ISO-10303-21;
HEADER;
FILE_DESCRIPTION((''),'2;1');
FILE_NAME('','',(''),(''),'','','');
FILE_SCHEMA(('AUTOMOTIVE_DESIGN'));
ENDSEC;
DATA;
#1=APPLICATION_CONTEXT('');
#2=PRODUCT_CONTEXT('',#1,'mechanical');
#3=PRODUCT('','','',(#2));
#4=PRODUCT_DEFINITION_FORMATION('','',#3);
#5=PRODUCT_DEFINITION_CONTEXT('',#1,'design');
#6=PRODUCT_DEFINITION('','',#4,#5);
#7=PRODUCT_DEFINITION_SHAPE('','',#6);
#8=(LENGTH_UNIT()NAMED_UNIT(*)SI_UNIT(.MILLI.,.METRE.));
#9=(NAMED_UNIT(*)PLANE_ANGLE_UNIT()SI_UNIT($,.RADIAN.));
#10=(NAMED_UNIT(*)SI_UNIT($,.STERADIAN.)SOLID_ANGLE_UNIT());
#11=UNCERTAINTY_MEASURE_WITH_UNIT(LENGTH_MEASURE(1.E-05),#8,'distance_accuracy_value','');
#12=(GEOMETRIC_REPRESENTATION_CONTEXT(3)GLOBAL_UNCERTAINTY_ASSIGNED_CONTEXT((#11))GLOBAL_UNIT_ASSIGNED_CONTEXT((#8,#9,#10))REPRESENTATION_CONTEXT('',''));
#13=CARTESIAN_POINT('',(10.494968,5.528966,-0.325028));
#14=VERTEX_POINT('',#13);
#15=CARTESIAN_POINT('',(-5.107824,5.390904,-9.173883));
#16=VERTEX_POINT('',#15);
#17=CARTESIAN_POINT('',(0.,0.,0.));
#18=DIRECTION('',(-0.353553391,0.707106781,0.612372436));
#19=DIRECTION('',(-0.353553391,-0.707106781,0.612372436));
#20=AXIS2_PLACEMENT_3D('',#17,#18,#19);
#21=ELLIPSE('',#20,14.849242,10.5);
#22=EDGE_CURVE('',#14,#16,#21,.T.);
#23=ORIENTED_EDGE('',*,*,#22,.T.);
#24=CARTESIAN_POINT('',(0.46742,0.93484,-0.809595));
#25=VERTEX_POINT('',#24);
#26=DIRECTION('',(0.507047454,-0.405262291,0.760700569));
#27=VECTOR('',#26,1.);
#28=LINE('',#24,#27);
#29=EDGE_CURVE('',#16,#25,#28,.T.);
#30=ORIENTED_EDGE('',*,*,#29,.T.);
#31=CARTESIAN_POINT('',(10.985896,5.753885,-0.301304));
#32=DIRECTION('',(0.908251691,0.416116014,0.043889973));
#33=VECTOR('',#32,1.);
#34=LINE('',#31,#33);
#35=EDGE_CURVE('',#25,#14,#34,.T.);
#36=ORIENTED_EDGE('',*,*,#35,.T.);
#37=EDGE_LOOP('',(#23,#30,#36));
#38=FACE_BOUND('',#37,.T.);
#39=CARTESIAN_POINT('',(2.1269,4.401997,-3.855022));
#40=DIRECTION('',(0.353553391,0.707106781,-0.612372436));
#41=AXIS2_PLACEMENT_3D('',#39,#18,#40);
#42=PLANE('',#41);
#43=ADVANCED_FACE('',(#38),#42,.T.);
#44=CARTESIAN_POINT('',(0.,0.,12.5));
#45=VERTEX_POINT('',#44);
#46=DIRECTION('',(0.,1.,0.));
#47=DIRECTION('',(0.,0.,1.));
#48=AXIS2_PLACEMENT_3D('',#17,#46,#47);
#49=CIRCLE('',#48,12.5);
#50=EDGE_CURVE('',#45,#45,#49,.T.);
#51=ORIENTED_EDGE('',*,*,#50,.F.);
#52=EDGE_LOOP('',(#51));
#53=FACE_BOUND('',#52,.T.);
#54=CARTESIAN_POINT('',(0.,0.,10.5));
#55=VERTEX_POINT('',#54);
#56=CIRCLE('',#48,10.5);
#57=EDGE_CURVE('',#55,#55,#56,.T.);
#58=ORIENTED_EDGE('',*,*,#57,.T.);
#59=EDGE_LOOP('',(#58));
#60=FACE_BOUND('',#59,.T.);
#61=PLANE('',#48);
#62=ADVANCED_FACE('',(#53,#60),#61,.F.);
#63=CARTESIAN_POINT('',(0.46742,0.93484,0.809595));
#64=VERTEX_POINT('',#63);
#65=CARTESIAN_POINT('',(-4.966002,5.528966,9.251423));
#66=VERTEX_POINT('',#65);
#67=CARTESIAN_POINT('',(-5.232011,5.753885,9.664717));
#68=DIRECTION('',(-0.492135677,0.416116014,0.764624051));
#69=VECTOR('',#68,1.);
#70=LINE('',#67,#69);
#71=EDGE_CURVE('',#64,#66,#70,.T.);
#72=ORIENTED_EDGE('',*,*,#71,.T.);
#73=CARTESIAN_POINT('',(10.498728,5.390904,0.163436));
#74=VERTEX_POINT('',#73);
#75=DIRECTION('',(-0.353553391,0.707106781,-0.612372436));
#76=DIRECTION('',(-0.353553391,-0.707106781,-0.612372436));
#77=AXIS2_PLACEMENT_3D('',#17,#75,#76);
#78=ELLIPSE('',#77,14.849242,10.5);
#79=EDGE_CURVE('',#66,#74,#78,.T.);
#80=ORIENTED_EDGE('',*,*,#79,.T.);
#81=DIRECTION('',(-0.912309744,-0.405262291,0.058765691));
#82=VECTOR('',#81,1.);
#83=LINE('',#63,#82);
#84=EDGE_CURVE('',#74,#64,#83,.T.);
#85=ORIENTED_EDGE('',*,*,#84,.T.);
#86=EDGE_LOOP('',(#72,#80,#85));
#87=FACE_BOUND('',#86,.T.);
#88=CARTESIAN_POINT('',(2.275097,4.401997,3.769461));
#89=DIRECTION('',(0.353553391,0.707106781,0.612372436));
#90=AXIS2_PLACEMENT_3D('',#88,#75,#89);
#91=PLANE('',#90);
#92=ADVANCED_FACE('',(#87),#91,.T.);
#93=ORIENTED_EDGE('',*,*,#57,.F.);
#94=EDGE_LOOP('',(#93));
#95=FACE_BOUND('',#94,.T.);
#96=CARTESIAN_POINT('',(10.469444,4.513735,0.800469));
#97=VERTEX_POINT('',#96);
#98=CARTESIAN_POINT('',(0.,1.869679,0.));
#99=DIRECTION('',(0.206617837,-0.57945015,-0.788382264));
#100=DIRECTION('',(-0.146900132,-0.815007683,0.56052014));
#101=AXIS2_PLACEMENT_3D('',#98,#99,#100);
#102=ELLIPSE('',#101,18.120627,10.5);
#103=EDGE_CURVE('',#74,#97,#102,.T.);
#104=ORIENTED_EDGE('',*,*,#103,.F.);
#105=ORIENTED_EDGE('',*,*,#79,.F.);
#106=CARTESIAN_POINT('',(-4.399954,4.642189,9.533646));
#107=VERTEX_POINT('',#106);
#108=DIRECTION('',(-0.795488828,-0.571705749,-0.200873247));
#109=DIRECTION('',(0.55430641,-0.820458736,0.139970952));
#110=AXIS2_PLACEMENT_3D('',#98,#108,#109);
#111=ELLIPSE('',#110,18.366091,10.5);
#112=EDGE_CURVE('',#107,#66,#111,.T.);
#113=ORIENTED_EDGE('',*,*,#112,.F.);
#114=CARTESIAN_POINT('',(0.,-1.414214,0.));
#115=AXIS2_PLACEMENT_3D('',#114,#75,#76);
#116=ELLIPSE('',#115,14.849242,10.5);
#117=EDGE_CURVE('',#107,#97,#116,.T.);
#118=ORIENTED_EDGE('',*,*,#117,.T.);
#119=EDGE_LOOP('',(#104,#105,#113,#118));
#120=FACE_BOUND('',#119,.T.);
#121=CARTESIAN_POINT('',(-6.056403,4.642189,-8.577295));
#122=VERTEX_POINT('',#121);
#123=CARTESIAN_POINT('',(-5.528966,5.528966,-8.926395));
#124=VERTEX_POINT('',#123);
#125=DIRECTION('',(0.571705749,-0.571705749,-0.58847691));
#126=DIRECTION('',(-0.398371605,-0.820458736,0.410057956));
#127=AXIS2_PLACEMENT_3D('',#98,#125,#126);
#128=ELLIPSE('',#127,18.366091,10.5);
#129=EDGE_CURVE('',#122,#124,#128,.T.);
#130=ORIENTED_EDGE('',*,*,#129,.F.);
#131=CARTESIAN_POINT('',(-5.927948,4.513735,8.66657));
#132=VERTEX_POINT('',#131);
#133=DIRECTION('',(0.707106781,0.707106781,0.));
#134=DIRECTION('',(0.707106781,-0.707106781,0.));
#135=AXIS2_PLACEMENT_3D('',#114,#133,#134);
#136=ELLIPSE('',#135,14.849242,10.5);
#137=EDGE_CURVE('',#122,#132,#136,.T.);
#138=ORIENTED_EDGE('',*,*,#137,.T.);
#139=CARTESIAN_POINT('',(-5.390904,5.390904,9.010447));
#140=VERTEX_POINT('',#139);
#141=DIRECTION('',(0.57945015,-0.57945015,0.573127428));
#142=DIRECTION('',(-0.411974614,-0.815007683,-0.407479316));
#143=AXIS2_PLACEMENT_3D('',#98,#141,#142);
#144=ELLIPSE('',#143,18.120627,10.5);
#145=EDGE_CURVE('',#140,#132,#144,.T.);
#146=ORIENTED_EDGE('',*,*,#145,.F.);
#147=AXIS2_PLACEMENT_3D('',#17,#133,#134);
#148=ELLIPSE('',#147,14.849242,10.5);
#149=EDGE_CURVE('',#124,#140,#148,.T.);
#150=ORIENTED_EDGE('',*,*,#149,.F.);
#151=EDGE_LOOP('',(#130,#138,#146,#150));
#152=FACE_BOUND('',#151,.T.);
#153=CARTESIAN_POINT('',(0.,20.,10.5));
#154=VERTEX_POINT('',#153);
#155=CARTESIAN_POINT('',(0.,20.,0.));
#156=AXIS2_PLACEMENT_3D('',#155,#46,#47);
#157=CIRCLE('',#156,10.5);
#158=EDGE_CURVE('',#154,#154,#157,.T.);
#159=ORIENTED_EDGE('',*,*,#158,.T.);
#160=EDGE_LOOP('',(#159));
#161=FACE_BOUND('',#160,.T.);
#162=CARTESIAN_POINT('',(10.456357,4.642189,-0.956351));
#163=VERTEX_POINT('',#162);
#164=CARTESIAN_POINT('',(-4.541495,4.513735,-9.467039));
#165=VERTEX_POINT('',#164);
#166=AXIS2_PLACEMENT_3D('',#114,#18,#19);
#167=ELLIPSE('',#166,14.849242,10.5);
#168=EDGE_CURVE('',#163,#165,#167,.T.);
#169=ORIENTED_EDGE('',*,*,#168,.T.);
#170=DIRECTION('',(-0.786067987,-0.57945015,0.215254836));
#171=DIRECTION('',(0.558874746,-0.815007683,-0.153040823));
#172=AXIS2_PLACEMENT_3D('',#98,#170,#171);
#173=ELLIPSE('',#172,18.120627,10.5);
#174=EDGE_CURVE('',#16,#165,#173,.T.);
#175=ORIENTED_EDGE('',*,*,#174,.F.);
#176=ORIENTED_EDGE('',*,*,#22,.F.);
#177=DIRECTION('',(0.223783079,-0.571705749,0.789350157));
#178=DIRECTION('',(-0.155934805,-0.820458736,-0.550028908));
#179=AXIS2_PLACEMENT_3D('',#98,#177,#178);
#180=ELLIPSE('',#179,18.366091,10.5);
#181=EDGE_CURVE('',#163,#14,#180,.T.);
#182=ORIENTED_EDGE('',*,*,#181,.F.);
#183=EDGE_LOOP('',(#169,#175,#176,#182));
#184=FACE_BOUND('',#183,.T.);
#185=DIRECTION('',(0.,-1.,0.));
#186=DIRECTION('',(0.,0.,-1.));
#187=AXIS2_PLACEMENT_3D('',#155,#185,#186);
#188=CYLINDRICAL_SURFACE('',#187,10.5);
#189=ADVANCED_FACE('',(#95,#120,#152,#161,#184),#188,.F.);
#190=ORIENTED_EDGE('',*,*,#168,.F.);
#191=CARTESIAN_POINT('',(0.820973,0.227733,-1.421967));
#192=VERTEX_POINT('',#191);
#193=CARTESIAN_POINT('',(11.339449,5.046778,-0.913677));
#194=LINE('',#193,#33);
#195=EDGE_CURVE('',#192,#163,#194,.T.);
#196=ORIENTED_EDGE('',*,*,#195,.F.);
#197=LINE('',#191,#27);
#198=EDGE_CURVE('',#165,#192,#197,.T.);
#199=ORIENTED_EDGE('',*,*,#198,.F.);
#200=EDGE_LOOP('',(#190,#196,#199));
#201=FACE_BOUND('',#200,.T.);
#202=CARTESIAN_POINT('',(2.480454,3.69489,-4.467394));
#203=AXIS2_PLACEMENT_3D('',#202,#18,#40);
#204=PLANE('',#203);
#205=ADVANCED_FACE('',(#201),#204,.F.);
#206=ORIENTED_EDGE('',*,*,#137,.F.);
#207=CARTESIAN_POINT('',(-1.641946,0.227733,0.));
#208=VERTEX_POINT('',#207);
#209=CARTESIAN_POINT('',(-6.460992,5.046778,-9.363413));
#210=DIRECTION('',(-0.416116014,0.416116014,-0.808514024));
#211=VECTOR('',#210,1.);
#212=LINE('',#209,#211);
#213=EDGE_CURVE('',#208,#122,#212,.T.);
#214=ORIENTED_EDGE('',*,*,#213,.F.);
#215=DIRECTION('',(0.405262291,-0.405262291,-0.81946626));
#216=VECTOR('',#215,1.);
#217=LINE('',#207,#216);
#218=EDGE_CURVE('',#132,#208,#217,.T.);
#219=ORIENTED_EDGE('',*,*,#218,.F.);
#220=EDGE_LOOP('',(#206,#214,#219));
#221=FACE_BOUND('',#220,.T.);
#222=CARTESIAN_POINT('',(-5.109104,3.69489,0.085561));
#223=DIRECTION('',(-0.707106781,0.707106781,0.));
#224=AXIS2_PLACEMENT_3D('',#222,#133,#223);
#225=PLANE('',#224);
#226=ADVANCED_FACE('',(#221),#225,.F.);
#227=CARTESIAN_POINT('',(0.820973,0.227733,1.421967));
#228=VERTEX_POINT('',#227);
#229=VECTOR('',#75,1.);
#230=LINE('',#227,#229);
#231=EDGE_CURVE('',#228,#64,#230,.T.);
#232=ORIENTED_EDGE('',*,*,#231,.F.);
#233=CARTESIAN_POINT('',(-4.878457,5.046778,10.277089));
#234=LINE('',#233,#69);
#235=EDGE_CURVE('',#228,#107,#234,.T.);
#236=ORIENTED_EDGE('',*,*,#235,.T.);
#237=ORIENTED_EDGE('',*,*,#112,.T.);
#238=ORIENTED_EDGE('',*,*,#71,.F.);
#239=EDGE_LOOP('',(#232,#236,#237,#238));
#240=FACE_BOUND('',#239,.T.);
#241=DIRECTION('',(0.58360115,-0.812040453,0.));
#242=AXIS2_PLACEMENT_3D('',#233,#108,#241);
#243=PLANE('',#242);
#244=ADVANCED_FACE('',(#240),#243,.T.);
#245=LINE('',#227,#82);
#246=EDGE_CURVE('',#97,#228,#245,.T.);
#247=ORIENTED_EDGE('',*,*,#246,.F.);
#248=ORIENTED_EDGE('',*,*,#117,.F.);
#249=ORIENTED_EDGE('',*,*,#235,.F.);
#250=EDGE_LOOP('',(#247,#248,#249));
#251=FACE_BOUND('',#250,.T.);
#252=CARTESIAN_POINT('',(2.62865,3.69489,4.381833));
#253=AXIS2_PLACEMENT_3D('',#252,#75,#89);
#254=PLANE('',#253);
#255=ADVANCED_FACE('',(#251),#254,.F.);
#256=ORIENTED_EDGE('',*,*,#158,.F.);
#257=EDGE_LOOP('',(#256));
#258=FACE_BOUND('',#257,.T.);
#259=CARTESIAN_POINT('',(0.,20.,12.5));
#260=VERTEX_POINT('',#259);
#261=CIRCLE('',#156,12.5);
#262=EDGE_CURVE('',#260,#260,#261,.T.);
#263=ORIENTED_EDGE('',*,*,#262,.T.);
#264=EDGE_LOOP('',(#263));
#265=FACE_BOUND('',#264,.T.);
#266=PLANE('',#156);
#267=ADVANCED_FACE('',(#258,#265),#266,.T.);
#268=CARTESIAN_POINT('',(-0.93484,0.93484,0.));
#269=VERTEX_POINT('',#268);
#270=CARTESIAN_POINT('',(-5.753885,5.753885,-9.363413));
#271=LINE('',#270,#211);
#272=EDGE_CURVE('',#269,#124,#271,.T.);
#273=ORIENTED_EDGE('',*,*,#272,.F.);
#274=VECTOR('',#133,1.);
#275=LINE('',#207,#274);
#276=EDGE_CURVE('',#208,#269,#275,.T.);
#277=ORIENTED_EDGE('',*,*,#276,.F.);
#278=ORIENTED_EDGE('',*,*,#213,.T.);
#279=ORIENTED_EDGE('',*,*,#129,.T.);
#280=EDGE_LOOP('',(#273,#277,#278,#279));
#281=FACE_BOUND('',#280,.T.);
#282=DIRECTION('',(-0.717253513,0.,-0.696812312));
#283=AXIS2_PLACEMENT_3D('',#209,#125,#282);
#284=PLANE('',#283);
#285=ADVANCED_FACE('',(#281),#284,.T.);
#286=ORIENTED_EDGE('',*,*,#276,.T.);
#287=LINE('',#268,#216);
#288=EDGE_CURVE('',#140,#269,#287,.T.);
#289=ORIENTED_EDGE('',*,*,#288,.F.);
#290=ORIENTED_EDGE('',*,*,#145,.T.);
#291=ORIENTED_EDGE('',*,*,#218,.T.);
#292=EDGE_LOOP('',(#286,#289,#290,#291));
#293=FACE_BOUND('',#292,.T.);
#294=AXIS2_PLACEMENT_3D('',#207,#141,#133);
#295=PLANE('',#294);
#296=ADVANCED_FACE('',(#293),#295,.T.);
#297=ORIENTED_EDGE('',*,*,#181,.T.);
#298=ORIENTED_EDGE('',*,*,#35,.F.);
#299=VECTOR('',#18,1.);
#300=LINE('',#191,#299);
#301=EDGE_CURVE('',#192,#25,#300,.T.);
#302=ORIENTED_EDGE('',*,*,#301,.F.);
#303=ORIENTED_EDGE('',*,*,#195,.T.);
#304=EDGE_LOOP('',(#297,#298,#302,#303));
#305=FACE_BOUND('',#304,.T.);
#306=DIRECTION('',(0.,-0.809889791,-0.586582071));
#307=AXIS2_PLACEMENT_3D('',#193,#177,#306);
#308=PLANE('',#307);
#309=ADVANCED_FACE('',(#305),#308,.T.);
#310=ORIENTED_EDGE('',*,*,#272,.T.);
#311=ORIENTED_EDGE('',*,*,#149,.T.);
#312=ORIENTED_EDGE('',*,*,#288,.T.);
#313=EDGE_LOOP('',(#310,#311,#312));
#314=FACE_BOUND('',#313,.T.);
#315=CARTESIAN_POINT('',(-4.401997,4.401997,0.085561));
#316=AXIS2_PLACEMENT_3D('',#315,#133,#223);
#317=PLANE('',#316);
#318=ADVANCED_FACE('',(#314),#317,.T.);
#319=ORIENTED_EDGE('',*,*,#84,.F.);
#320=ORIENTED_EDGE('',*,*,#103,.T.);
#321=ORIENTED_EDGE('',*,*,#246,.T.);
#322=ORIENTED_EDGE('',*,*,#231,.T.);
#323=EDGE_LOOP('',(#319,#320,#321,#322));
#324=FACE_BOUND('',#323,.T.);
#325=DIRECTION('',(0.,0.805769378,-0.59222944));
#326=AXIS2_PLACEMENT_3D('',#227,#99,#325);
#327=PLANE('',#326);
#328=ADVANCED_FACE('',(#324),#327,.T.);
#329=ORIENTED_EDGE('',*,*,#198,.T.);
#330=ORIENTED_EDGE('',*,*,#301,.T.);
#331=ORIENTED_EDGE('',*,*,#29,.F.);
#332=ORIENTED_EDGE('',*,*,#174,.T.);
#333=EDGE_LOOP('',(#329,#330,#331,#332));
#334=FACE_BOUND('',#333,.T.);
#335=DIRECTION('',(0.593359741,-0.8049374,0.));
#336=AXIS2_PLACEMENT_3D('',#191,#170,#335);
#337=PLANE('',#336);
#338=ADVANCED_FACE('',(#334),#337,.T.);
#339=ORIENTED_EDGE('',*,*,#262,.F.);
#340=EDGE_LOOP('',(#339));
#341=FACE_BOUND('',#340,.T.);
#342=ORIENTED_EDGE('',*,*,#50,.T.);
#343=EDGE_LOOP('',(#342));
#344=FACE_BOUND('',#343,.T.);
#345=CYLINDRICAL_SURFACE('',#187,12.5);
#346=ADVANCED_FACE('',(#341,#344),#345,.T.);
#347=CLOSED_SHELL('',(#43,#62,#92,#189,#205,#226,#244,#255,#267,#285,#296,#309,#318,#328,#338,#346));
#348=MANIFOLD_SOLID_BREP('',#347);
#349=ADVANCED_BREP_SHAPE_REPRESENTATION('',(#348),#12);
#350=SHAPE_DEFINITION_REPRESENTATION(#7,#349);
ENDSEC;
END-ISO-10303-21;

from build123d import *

# Parameters (mm, degrees)
SKETCH1_R           = 12.5
SKETCH1_R_2         = 10.5
BOSS_EXTRUDE1_DEPTH = 20
BOSS_EXTRUDE2_DEPTH = 1
CIRPATTERN1_COUNT   = 3


with BuildPart() as part:
    # Sketch1 → Boss-Extrude1 (new body)
    with BuildSketch(Plane(origin=(0, 0, 0), x_dir=(1, 0, 0), z_dir=(0, 1, 0))):
        Circle(SKETCH1_R)
        Circle(SKETCH1_R_2, mode=Mode.SUBTRACT)
    extrude(amount=BOSS_EXTRUDE1_DEPTH)

    # Sketch4 → Boss-Extrude2 (add)
    with BuildSketch(Plane(origin=(0, 0, 0), x_dir=(0, 0, 1), z_dir=(0.707106781, 0.707106781, 0))):
        with BuildLine():
            Line((-9.363412571, -8.137222405), (0, -1.322062821))
            Line((0, -1.322062821), (9.559751039, -8.008067831))
            ThreePointArc((9.559751039, -8.008067831), (0.151357729, -15.865590891), (-9.363412571, -8.137222405))
        make_face()
    boss_extrude2 = extrude(amount=-BOSS_EXTRUDE2_DEPTH)

    # CirPattern1: Boss-Extrude2 ×3 about axis
    cirpattern1_axis = Axis((0, 0, 0), (0, 1, 0))
    for i in range(1, CIRPATTERN1_COUNT):
        add(boss_extrude2.rotate(cirpattern1_axis, i * 360 / CIRPATTERN1_COUNT))


solid = part.part
